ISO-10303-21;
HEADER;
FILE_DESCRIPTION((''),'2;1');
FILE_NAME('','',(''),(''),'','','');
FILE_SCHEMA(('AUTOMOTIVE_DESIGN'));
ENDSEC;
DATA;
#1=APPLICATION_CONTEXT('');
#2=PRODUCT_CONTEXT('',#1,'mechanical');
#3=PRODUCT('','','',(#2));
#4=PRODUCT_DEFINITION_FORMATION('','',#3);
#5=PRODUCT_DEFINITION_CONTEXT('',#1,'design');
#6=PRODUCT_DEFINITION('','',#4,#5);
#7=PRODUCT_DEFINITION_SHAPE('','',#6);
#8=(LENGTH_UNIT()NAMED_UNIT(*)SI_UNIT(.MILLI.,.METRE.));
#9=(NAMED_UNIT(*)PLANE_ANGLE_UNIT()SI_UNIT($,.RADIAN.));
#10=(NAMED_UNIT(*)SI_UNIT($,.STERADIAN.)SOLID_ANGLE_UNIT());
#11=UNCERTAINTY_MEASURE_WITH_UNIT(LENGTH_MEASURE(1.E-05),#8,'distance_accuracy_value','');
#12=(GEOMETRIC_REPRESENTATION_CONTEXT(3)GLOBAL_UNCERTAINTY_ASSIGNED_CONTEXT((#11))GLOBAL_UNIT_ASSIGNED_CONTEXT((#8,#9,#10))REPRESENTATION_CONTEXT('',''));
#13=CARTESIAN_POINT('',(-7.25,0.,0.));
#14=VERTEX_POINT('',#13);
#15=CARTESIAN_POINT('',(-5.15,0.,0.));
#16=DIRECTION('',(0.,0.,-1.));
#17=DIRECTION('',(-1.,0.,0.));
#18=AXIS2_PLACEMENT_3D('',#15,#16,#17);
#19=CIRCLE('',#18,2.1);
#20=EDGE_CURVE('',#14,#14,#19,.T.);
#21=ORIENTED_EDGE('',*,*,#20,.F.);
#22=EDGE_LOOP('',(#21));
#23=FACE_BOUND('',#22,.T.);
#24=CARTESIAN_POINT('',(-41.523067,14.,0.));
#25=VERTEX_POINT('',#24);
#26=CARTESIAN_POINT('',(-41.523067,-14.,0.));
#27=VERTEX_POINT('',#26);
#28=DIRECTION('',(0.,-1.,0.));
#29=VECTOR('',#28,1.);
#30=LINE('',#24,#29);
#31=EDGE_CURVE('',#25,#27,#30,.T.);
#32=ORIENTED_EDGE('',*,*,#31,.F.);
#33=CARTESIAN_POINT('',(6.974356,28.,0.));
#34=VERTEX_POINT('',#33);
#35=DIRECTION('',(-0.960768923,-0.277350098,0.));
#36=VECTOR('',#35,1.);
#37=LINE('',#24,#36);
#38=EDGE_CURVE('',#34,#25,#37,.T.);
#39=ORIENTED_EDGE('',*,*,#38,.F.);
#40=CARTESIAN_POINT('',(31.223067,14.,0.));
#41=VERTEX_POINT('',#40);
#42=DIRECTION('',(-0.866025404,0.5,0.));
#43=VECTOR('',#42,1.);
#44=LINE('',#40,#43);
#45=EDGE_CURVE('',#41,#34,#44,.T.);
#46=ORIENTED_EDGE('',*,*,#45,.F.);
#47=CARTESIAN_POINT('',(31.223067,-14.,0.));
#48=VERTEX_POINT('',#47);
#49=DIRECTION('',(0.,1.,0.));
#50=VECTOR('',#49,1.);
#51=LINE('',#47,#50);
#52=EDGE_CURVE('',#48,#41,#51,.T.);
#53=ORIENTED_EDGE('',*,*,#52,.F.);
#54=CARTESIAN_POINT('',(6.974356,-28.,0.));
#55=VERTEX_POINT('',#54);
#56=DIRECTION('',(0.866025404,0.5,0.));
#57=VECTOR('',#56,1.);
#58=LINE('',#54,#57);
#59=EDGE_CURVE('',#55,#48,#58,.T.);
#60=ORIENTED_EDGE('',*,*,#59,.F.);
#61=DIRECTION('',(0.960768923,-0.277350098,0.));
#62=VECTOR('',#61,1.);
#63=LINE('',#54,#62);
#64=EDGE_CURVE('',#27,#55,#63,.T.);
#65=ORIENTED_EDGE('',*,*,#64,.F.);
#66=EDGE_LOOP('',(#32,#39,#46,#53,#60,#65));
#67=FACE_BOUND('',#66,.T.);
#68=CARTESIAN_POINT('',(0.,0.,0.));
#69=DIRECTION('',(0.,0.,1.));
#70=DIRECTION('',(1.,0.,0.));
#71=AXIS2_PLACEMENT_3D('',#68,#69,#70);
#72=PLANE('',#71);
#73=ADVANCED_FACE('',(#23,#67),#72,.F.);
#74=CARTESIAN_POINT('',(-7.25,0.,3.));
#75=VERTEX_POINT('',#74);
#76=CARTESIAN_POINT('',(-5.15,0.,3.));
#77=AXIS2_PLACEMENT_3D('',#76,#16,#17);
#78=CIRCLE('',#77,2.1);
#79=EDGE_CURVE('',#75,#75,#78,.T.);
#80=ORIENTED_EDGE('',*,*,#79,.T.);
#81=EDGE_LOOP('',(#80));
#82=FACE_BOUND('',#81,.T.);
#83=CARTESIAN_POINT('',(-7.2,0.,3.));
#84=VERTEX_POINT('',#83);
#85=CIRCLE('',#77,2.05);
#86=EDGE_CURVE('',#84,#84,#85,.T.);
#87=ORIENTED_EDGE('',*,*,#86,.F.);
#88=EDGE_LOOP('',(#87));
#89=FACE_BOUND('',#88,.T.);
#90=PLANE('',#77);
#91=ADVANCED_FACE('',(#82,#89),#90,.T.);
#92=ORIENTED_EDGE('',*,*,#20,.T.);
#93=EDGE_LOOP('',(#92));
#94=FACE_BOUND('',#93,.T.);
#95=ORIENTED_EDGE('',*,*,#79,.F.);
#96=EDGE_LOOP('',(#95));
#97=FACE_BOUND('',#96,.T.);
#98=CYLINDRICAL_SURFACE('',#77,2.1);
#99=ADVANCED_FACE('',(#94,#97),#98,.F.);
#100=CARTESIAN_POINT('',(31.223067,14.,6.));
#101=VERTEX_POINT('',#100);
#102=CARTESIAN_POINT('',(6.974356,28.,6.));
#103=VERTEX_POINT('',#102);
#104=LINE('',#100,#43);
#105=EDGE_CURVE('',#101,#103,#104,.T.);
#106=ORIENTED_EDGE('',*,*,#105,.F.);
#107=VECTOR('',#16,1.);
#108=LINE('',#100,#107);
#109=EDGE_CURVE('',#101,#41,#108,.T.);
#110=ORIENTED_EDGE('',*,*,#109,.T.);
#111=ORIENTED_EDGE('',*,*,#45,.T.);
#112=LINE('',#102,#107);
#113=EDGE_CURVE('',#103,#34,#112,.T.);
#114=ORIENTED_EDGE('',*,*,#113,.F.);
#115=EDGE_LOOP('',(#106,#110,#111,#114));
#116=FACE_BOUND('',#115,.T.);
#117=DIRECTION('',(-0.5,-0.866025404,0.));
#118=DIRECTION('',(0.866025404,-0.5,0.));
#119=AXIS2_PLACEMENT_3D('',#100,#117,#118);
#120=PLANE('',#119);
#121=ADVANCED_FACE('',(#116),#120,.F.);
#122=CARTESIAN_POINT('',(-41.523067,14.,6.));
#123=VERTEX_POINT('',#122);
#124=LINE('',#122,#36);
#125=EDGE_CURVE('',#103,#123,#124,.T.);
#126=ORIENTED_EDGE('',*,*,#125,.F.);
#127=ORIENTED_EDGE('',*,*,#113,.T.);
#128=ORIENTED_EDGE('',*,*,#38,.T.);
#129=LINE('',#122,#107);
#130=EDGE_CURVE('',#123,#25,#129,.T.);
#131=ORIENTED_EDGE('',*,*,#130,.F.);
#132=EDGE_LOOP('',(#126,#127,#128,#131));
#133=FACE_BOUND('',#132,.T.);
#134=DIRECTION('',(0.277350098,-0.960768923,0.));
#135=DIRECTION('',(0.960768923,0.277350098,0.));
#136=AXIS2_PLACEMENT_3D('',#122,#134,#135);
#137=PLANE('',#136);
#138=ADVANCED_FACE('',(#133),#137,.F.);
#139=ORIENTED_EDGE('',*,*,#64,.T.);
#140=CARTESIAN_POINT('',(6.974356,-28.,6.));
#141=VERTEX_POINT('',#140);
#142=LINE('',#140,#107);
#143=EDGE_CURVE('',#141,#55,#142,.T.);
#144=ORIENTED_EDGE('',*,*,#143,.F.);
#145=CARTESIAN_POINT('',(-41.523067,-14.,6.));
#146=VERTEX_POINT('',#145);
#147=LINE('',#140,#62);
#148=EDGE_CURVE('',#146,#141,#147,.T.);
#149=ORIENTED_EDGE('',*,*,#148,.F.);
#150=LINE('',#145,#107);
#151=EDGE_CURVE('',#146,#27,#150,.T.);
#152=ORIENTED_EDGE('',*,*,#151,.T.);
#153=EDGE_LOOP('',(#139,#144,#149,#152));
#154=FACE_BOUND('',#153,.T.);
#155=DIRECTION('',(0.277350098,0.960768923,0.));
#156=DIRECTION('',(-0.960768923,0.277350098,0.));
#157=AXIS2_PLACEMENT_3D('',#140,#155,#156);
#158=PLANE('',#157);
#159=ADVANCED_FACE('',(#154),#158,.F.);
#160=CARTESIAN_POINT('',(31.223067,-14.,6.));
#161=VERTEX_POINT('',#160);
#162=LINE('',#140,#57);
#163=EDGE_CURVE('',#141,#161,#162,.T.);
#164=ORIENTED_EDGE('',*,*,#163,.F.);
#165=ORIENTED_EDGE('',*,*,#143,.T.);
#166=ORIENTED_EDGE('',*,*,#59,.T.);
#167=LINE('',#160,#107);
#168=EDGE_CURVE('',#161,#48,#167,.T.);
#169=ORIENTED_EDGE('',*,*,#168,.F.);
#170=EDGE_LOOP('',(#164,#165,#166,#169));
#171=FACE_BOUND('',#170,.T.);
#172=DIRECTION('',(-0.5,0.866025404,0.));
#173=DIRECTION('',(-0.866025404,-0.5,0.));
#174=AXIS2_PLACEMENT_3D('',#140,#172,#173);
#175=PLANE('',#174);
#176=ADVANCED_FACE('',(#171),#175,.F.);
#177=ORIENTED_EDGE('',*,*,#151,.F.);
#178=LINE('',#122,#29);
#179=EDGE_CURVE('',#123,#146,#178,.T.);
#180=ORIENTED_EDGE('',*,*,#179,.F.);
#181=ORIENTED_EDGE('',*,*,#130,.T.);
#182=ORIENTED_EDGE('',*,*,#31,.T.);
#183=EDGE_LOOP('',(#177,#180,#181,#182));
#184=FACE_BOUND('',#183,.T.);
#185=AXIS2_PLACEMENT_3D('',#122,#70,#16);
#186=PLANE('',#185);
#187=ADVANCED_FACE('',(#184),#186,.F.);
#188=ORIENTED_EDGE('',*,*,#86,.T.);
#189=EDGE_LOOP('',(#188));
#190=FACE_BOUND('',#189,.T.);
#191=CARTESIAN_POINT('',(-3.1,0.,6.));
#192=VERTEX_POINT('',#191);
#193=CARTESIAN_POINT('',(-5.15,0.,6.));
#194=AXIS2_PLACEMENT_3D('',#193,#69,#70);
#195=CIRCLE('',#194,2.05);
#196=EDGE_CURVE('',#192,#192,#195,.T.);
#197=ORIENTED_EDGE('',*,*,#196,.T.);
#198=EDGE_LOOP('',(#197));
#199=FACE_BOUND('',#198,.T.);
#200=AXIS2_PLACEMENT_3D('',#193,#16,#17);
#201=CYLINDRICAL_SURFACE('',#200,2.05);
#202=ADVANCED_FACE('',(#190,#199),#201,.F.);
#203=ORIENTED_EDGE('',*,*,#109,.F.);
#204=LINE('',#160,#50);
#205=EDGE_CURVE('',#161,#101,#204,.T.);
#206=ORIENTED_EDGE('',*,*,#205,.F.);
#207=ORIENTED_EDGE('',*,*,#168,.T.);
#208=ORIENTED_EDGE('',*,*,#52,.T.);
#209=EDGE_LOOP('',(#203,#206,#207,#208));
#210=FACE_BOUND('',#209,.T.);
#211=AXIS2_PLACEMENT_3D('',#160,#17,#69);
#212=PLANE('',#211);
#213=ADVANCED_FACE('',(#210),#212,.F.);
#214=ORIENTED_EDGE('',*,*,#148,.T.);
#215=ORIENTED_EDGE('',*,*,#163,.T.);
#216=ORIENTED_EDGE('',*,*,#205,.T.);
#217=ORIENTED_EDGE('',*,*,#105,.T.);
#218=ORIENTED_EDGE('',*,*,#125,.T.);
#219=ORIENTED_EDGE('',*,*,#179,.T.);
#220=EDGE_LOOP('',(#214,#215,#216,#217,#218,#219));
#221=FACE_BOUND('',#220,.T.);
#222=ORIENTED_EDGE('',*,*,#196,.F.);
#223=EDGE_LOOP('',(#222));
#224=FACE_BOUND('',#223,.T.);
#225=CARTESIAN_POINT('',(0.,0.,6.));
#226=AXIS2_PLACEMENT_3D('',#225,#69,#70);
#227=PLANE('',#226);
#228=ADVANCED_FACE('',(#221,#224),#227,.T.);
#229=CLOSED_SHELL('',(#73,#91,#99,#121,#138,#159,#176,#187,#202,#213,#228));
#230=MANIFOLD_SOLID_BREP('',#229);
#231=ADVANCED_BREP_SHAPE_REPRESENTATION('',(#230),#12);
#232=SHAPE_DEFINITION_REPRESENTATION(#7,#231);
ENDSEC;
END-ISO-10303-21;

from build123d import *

# Parameters (mm, degrees)
SKETCH1_R           = 2.05
BOSS_EXTRUDE1_DEPTH = 6
SKETCH2_R           = 2.1
CUT_EXTRUDE1_DEPTH  = 3


with BuildPart() as part:
    # Sketch1 → Boss-Extrude1 (new body)
    with BuildSketch(Plane.XY):
        Polygon((-41.523066959, 14), (-41.523066959, -14), (6.974355653, -28), (31.223066959, -14), (31.223066959, 14), (6.974355653, 28), align=None)
        with Locations((-5.15, 0)):
            Circle(SKETCH1_R, mode=Mode.SUBTRACT)
    extrude(amount=BOSS_EXTRUDE1_DEPTH)

    # Sketch2 → Cut-Extrude1 (cut)
    with BuildSketch(Plane(origin=(0, 0, 0), x_dir=(-1, 0, 0), z_dir=(0, 0, -1))):
        with Locations((5.15, 0)):
            Circle(SKETCH2_R)
    extrude(amount=-CUT_EXTRUDE1_DEPTH, mode=Mode.SUBTRACT)


solid = part.part
